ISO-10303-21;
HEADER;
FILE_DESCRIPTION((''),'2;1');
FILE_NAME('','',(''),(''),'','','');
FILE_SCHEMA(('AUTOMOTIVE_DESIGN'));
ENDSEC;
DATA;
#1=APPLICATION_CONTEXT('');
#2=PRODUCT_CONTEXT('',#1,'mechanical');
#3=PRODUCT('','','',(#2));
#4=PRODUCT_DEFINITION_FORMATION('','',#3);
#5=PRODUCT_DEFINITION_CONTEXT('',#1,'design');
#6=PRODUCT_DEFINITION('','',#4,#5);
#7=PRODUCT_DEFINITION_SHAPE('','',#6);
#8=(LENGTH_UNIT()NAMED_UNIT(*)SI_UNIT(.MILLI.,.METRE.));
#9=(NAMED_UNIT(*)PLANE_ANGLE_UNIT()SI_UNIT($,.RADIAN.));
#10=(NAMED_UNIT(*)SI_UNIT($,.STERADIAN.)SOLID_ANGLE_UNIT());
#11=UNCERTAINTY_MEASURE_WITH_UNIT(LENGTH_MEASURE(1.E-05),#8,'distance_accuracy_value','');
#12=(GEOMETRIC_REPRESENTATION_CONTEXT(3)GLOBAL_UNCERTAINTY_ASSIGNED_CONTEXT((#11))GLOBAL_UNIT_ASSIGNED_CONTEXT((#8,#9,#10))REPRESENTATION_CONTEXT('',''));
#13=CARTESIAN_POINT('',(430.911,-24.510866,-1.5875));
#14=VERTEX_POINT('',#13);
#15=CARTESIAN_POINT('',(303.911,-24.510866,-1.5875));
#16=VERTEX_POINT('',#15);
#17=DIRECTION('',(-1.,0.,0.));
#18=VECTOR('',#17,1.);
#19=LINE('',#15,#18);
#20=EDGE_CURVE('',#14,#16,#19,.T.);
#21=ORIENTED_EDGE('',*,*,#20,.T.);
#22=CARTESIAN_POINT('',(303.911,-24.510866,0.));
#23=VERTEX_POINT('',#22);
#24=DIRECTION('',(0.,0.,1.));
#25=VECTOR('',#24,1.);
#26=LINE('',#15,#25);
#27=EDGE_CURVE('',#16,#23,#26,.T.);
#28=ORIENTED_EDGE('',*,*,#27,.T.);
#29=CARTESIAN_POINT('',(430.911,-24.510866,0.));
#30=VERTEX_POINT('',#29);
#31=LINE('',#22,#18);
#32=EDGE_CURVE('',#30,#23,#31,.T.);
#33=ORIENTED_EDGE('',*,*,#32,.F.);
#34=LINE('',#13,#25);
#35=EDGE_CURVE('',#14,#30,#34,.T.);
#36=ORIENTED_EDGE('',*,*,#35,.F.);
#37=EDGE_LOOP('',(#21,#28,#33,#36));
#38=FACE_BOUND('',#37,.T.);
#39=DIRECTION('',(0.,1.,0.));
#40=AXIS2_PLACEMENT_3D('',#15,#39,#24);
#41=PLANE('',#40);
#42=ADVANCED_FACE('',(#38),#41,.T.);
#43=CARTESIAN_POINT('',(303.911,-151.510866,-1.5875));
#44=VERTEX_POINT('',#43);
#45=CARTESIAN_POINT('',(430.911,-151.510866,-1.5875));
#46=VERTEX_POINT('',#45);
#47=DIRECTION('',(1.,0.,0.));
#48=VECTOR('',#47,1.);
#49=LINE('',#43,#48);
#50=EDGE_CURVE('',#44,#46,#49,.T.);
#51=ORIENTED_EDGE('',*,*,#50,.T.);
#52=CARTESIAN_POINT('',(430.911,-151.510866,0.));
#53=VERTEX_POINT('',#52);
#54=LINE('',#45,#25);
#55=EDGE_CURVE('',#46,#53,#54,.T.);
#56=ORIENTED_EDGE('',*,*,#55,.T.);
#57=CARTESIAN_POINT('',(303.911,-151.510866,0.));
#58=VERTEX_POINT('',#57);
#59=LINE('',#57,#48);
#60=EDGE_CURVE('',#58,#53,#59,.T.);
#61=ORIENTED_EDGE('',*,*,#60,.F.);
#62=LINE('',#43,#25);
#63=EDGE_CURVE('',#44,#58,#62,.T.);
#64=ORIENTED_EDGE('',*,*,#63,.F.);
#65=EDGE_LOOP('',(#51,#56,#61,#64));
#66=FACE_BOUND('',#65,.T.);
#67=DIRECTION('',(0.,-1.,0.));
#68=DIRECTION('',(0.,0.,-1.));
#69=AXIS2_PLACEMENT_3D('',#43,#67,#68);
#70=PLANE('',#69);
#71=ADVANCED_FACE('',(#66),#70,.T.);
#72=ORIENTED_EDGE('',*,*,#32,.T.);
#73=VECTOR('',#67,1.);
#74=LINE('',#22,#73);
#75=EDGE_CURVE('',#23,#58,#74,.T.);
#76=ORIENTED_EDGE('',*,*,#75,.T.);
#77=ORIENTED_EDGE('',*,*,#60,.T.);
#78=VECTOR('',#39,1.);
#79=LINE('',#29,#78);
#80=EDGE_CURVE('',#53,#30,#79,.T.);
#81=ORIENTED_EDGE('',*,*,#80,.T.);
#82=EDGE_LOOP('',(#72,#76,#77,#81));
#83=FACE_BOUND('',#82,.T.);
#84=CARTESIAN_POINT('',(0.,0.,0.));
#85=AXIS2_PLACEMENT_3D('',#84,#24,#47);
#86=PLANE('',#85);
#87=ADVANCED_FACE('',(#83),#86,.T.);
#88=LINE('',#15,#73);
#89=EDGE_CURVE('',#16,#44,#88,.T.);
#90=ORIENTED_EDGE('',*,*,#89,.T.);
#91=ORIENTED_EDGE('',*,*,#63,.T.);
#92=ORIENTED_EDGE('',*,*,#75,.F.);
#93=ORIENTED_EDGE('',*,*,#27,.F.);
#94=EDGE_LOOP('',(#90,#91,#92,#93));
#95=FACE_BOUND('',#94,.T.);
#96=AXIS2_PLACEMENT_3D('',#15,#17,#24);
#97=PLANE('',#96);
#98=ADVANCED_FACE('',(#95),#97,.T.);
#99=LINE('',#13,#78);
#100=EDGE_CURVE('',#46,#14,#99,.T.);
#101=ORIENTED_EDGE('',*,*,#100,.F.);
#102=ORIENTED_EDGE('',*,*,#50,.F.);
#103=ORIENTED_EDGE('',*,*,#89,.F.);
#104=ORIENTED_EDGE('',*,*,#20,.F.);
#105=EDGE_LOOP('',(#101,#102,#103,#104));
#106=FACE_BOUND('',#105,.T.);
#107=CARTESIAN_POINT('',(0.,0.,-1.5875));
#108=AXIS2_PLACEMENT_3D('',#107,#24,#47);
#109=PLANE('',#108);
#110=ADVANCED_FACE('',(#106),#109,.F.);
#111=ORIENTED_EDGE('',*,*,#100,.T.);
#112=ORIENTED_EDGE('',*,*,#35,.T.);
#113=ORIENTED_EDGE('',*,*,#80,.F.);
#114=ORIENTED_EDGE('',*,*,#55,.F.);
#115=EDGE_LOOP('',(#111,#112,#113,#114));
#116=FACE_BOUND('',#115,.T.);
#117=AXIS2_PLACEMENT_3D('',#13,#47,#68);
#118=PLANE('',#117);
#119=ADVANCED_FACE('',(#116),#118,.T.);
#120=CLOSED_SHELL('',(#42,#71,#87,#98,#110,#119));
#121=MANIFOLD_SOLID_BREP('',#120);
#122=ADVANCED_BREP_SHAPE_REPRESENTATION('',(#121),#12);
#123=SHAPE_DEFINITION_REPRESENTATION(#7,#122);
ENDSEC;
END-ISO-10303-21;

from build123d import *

# Parameters (mm, degrees)
SKETCH1_W           = 127
SKETCH1_H           = 127
BOSS_EXTRUDE1_DEPTH = 1.5875


with BuildPart() as part:
    # Sketch1 → Boss-Extrude1 (new body)
    with BuildSketch(Plane.XY):
        with Locations((367.411, -88.010866002)):
            Rectangle(SKETCH1_W, SKETCH1_H)
    extrude(amount=-BOSS_EXTRUDE1_DEPTH)


solid = part.part
